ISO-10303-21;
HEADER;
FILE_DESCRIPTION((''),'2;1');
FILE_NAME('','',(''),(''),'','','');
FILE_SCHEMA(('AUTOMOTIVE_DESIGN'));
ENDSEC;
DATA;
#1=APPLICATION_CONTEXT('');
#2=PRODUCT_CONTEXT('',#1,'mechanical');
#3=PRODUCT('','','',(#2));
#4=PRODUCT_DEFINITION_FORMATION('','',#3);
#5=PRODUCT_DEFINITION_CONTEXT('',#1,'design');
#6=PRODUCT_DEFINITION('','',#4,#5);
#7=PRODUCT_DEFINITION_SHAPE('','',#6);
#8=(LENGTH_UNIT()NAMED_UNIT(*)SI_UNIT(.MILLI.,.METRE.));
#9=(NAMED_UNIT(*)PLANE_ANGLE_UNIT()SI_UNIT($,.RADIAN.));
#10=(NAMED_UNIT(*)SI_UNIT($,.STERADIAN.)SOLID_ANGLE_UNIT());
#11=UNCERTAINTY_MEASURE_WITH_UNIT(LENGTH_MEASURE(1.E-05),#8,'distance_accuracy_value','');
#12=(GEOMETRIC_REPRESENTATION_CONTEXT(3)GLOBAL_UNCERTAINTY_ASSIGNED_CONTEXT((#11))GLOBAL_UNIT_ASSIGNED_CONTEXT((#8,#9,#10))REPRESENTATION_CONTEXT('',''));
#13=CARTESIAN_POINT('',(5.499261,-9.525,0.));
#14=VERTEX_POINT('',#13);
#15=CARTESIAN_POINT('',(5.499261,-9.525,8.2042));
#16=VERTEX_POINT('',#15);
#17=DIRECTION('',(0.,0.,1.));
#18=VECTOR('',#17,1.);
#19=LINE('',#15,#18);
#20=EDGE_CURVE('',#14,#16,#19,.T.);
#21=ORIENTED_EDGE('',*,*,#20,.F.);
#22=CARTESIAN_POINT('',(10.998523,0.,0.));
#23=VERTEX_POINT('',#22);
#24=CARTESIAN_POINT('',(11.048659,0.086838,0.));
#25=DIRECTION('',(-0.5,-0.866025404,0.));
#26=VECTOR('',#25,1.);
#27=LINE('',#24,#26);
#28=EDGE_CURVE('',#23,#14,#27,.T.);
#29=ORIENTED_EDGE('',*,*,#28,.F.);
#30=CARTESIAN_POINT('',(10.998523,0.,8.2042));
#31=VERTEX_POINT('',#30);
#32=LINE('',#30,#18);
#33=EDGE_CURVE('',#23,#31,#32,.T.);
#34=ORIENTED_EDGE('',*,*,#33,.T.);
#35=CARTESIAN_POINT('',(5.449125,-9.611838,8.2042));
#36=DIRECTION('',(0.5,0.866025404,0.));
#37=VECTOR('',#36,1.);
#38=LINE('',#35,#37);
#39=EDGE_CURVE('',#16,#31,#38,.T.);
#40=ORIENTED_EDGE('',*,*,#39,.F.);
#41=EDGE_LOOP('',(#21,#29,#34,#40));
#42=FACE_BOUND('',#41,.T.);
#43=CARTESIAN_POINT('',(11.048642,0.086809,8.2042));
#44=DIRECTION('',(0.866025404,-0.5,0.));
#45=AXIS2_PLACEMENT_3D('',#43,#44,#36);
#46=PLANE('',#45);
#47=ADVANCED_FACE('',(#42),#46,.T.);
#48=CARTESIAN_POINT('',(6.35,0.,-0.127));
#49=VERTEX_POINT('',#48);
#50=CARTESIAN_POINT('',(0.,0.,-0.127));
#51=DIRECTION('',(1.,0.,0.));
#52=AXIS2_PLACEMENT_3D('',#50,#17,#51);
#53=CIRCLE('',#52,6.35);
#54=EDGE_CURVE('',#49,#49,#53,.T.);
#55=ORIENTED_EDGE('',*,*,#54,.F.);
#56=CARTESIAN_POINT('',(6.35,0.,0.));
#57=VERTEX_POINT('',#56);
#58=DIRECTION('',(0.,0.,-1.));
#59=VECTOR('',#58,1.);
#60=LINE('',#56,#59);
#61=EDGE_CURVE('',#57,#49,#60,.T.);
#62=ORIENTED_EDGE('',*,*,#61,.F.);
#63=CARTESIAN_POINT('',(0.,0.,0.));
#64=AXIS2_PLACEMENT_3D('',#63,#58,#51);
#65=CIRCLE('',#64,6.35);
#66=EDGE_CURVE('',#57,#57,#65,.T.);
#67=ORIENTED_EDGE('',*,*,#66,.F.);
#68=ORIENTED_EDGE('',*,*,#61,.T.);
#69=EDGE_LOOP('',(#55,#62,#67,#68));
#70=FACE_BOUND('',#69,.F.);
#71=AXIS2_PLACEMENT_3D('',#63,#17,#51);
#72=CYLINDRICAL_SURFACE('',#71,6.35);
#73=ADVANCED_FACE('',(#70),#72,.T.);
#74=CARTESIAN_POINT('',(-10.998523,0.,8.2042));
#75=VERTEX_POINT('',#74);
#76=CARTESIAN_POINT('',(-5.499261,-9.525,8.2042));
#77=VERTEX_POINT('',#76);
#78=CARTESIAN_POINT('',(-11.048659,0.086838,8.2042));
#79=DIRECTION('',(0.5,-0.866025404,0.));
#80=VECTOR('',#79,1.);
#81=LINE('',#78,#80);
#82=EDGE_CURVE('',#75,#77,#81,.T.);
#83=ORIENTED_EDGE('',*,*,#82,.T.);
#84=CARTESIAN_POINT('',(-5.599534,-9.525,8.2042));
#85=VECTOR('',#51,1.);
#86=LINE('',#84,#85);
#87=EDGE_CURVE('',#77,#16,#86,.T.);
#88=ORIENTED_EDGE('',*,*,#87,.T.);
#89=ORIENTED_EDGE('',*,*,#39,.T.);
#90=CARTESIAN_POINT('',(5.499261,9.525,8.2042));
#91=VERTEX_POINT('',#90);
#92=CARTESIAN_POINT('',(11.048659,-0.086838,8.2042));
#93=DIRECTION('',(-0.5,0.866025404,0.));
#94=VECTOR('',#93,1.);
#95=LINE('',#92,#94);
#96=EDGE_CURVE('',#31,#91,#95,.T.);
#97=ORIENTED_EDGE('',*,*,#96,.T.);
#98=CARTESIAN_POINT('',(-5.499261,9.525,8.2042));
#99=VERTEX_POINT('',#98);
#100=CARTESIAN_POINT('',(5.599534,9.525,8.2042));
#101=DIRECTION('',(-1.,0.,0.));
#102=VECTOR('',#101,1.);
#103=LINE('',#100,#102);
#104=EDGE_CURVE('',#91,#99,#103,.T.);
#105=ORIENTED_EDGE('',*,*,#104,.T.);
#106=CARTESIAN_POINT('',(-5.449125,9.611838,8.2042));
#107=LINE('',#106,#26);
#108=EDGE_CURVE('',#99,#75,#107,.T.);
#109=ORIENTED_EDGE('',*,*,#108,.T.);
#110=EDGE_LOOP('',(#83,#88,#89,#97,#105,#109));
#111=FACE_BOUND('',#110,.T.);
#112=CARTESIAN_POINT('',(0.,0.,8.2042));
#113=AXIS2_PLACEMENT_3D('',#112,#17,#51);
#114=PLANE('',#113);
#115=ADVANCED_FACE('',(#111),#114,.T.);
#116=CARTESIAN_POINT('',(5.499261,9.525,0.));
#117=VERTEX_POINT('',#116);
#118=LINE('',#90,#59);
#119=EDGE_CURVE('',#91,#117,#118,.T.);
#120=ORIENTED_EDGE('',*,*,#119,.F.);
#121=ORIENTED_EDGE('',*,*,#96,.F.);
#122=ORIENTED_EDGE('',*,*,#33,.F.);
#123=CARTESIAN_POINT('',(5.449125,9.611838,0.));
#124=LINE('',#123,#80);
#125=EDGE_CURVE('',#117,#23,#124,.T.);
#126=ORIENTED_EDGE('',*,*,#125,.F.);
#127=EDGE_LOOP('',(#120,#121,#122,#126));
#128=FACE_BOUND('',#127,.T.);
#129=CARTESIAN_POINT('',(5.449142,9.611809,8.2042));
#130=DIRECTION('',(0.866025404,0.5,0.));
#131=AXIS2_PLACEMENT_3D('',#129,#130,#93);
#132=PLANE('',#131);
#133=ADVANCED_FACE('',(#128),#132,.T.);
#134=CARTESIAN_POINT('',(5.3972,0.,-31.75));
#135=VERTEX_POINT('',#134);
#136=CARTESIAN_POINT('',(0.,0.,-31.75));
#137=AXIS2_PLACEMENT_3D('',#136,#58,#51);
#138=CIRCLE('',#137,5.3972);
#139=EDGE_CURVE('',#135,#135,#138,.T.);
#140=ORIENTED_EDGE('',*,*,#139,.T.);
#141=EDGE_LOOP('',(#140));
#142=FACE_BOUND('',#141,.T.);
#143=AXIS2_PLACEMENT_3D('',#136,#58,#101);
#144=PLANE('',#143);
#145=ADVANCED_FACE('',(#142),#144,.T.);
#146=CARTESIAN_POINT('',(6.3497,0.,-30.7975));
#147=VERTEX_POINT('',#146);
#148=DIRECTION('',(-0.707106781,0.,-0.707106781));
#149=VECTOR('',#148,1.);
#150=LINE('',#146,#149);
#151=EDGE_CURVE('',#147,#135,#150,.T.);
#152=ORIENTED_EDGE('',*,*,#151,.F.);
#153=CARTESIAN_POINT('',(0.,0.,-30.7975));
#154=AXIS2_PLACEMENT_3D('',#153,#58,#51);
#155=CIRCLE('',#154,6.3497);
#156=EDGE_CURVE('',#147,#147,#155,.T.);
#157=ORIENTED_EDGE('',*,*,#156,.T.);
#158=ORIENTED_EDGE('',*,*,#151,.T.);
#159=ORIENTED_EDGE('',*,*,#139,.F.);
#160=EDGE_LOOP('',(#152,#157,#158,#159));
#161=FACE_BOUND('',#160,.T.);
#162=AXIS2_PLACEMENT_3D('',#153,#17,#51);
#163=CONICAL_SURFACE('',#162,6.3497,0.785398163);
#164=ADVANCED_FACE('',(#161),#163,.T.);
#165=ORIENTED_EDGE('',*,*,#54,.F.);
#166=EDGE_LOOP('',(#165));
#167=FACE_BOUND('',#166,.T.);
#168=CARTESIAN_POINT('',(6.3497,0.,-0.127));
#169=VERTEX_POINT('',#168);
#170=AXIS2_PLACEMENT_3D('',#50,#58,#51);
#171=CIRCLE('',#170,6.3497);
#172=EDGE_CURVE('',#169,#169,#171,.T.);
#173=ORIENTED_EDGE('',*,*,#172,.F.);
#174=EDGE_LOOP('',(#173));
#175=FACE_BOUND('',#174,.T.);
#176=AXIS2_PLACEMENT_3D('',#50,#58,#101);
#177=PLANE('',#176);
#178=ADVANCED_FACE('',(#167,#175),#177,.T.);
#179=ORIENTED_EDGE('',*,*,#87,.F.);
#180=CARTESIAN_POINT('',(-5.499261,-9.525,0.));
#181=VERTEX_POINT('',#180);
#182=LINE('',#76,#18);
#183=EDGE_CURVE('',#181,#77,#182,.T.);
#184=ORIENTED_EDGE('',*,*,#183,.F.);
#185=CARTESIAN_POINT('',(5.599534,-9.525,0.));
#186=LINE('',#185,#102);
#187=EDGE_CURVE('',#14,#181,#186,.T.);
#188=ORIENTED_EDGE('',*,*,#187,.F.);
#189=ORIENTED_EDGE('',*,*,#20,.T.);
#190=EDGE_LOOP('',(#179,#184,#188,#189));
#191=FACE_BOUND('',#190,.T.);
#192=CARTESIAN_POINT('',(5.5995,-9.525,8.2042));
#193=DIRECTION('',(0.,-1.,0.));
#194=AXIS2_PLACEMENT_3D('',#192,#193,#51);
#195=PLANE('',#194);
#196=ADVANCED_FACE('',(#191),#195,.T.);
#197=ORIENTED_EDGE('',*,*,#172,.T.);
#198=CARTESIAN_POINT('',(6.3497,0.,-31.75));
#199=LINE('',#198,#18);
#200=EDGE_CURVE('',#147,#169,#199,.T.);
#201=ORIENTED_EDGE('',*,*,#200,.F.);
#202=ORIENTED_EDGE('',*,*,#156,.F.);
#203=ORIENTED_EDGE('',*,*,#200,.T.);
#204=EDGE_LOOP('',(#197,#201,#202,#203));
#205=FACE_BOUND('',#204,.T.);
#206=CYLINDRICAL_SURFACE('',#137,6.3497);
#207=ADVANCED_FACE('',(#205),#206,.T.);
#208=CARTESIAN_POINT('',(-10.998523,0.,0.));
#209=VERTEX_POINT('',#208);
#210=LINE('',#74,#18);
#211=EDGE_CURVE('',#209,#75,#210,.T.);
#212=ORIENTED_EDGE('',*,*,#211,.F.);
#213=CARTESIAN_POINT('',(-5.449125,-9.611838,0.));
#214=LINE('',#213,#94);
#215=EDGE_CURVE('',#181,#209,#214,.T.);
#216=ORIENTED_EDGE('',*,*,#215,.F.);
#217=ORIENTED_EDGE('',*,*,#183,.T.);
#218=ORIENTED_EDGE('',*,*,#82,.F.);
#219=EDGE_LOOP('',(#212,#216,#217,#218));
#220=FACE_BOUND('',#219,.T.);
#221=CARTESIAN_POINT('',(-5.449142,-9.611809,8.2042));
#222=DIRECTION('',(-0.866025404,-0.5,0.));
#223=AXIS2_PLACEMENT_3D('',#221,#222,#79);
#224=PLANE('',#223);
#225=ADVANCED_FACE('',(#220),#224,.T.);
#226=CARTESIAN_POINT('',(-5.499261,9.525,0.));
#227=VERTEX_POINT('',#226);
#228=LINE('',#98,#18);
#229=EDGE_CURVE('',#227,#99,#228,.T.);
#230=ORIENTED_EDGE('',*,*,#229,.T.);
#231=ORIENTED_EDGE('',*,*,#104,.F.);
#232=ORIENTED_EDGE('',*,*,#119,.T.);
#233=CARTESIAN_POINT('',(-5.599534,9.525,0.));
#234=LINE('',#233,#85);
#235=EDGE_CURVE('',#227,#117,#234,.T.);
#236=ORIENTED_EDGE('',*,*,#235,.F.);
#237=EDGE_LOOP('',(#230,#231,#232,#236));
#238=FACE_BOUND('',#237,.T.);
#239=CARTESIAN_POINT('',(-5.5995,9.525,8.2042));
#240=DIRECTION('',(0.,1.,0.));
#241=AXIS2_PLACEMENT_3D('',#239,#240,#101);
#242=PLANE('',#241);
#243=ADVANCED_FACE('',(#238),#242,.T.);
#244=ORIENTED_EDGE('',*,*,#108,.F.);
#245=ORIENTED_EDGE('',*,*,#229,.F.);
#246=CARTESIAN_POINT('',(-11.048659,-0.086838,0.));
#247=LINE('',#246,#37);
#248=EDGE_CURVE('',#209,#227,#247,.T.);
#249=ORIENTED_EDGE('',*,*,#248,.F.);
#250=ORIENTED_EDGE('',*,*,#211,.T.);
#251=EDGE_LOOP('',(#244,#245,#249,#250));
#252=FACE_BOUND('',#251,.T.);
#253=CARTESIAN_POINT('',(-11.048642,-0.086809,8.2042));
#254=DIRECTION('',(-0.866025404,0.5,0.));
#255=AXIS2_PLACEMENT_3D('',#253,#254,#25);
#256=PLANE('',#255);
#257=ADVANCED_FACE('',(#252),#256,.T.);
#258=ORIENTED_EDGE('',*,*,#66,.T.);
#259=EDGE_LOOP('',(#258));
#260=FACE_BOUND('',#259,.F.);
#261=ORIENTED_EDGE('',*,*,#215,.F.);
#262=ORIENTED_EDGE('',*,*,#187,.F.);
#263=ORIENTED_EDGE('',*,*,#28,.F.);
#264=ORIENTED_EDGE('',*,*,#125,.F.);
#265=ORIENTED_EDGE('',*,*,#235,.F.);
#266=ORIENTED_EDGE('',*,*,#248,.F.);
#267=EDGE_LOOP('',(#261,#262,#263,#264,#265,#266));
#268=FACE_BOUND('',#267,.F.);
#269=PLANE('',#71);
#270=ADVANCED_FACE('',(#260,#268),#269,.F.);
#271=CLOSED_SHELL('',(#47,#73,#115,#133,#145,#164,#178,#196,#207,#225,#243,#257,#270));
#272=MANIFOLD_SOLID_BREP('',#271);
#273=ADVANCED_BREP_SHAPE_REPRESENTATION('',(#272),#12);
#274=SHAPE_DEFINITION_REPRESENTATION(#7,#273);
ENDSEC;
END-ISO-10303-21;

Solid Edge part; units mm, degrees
sketch "Sketch1" plane through (0, 0, 0) normal (0, 0, 1) x (1, 0, 0)
  circle A0 centre (0, 0) radius 11.049
  dimension "D1" = 22.098
extrude "Protrusion1" add sketch "Sketch1" along normal blind 8.2042
sketch "Sketch2" plane through (0, 0, 0) normal (0, 0, -1) x (1, 0, 0)
  circle A0 centre (0, 0) radius 6.35
extrude "Protrusion2" add sketch "Sketch2" along normal blind 31.75
sketch "Sketch3" plane through (0, 0, -31.75) normal (0, 0, -1) x (1, 0, 0)
  circle A0 centre (0, 0) radius 6.3497
extrude "Cutout1" cut sketch "Sketch3" against normal blind 31.623 flip side to cut
chamfer "Chamfer_1" distance 0.9525 angle 45 1 edges at (-6.3497, 0, -31.75)
sketch "Sketch4" plane through (0, 0, 8.2042) normal (0, 0, 1) x (1, 0, 0)
  line L0 (-5.5995, 9.525) -> (5.5995, 9.525)
  dimension "D1" = 19.05
extrude "Cutout2" cut sketch "Sketch4" against normal up to next material side at (0, 9.575, 8.2042)
pattern_circular "Pattern1" count 6 over 360 about axis through (0, 0, 8.2042) along (0, 0, 1) of "Cutout2"
properties part number "24100101"
